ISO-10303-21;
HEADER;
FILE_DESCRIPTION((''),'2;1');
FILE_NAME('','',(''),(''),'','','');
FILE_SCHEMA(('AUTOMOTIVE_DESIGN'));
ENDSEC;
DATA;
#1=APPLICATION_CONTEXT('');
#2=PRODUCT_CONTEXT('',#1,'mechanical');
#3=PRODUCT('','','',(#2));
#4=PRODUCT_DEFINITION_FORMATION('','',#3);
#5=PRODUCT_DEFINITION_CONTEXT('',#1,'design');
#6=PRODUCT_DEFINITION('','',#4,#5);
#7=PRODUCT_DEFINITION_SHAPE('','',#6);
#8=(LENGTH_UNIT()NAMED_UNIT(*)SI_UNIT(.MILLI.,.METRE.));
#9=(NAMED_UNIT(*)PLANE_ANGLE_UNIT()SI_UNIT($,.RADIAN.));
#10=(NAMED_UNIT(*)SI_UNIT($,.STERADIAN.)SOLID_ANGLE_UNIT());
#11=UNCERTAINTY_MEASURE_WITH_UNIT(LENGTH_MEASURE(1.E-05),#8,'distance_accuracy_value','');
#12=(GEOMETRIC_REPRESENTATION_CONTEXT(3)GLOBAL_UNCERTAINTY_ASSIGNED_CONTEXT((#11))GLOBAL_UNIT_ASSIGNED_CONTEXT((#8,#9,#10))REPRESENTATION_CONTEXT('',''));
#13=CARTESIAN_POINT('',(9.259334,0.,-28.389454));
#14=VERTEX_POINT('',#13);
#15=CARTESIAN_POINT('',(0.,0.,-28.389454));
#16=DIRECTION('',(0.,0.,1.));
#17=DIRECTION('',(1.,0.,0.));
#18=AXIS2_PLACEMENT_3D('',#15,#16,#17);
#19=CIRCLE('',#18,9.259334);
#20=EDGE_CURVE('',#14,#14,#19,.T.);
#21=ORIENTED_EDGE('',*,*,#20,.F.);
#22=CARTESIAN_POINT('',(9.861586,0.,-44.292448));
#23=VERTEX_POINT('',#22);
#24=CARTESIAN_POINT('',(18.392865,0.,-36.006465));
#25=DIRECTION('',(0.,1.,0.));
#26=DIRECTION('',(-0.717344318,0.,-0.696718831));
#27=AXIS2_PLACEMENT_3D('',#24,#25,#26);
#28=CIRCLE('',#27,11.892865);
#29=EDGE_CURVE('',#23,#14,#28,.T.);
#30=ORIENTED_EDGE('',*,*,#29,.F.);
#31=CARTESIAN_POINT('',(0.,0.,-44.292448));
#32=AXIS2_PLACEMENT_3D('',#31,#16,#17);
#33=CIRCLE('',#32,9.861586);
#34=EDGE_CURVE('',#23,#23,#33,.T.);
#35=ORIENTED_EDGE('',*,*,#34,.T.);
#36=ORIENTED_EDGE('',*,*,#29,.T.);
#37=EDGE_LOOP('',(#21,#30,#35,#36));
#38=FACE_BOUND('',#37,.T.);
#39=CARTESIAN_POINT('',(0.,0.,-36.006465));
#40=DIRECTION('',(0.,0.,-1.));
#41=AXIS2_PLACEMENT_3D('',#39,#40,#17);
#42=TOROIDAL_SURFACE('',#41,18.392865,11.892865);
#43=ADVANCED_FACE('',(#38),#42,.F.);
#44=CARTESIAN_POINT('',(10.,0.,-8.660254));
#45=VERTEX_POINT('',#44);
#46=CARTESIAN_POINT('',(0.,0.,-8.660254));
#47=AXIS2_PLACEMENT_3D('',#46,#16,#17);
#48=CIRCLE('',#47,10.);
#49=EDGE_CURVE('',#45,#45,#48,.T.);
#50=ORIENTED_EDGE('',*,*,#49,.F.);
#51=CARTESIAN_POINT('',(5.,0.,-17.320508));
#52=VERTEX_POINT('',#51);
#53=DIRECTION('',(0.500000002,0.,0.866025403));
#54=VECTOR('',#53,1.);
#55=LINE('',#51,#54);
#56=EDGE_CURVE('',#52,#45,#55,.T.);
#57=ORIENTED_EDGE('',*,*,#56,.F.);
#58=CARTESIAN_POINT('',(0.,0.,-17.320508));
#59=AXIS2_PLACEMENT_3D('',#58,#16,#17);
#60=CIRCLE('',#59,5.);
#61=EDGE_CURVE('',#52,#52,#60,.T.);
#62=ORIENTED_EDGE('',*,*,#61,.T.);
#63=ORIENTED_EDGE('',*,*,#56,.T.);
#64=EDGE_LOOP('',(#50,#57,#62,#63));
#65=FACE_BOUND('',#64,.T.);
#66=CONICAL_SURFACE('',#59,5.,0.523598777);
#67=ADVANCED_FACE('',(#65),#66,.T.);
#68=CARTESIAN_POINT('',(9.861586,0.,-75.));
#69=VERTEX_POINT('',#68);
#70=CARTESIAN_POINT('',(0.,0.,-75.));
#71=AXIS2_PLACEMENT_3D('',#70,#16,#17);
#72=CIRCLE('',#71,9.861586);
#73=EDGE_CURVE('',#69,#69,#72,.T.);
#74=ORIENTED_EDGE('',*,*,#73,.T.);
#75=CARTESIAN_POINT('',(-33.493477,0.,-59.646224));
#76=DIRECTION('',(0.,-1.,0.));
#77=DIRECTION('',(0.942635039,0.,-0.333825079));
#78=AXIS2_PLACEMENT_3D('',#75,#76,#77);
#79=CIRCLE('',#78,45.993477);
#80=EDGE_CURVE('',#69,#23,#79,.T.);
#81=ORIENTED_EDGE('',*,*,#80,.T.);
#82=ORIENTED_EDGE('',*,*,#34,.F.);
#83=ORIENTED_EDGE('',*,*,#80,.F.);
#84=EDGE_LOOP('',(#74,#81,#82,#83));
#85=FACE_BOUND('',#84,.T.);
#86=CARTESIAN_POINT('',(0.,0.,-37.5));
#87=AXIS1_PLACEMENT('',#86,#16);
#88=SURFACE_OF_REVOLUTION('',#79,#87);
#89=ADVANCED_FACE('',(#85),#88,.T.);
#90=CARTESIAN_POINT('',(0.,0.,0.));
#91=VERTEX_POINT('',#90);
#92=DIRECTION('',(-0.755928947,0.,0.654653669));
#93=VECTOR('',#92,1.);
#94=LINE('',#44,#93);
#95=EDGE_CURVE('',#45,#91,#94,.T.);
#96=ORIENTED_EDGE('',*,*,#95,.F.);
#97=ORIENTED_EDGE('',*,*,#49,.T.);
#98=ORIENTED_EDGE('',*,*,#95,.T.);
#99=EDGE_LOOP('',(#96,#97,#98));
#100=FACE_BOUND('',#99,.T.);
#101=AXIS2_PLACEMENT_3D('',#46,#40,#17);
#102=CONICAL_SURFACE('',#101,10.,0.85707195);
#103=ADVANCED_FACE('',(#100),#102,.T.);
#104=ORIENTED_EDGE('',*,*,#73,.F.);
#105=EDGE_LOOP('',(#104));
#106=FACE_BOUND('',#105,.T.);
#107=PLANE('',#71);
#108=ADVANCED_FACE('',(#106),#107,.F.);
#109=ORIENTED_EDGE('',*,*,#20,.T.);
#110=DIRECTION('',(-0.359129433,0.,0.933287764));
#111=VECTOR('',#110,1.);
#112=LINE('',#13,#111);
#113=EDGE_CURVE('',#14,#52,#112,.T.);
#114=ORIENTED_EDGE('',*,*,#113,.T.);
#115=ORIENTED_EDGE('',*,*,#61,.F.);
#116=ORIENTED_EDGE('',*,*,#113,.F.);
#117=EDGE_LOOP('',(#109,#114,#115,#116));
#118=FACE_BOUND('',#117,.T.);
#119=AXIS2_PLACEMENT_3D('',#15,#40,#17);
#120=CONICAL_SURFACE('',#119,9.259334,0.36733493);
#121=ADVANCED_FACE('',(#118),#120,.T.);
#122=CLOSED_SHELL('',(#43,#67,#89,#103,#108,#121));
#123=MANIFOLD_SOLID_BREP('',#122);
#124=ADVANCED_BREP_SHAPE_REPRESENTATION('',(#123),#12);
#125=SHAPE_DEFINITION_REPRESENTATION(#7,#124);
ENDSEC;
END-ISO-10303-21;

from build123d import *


with BuildPart() as f1:
    # F0 (on Front) → F1 (revolve)
    with BuildSketch(Plane.XZ):
        with BuildLine():
            Line((0, -75), (9.861586, -75))
            ThreePointArc((9.861586, -75), (12.5, -59.646224), (9.861586, -44.292448))
            ThreePointArc((9.861586, -44.292448), (6.508519, -36.456529), (9.259334, -28.389454))
            Line((9.259334, -28.389454), (5, -17.320508))
            Line((5, -17.320508), (10, -8.660254))
            Line((10, -8.660254), (0, 0))
            Line((0, 0), (0, -75))
        make_face()
    revolve(axis=Axis((0, 0, -37.5), (0, 0, 1)))


solid = f1.part
